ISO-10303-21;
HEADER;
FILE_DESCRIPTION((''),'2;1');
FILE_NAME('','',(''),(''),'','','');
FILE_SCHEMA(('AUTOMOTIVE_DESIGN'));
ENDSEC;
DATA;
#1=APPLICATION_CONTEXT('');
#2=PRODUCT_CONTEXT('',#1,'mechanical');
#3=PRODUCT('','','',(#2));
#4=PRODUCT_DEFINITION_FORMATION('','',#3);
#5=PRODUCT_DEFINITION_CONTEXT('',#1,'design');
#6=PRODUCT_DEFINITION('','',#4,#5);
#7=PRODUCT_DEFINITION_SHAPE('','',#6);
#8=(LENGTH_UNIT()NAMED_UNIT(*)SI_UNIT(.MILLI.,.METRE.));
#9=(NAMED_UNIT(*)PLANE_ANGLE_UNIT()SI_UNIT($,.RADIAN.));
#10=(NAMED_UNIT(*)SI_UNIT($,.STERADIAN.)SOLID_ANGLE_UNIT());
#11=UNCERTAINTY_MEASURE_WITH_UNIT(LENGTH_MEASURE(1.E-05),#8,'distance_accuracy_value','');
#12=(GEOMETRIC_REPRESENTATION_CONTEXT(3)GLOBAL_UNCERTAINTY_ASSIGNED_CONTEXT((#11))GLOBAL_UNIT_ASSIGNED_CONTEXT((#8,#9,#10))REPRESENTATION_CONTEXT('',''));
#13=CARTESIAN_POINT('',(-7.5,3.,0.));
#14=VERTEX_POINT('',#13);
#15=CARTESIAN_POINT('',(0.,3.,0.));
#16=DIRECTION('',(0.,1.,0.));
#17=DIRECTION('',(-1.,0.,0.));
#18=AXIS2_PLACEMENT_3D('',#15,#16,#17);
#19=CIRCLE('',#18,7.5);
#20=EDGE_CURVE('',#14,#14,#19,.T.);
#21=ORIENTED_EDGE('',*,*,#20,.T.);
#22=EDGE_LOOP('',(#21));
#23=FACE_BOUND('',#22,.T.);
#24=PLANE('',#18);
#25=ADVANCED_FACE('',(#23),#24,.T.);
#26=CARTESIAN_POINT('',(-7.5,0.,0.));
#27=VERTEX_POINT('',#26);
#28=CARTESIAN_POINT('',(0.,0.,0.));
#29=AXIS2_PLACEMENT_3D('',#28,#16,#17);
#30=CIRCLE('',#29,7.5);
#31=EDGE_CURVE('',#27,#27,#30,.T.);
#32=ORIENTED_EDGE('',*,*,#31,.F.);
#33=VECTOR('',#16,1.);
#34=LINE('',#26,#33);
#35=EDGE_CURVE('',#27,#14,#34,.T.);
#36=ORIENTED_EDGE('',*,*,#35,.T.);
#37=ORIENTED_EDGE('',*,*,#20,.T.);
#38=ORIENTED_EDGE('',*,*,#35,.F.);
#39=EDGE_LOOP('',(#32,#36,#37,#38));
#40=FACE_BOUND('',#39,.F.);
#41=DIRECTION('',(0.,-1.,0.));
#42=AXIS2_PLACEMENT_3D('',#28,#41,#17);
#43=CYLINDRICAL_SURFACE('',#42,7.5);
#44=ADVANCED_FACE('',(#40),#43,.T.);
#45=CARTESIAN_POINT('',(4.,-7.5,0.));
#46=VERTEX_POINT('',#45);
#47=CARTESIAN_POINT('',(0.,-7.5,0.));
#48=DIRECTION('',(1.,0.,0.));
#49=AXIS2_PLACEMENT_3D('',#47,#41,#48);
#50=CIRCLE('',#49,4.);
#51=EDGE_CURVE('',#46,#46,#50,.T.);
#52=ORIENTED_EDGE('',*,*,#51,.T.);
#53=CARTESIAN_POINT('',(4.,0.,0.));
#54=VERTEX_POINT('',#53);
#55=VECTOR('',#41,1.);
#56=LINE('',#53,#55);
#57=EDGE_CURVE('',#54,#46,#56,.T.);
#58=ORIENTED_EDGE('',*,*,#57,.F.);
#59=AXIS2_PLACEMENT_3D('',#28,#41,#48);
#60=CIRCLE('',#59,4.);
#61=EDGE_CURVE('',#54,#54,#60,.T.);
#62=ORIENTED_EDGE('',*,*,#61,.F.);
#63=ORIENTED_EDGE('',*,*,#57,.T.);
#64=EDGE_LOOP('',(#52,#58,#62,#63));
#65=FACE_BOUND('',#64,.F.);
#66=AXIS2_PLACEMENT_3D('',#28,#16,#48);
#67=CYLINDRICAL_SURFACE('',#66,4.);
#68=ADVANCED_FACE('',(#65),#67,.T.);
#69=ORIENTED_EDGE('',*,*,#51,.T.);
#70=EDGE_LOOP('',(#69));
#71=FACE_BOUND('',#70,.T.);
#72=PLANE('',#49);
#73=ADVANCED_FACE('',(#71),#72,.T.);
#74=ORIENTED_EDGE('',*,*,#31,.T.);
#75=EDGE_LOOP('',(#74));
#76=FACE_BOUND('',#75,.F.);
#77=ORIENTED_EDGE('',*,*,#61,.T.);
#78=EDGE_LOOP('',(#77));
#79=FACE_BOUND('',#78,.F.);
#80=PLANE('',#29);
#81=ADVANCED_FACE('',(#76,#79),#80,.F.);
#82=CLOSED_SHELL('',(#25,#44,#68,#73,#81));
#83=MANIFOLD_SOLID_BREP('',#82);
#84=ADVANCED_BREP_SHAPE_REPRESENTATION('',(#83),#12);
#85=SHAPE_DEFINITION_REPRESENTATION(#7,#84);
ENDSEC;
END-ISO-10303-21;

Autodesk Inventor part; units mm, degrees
ref_plane "YZ Plane" through (0, 0, 0) normal (1, 0, 0) x (0, 1, 0)
ref_plane "XZ Plane" through (0, 0, 0) normal (0, 1, 0) x (-1, 0, 0)
ref_plane "XY Plane" through (0, 0, 0) normal (0, 0, 1) x (1, 0, 0)
sketch "Sketch1" plane through (0, 0, 0) normal (0, 1, 0) x (-1, 0, 0)
  circle A0 centre (0, 0) radius 7.5
  dimension "d0" = 15
extrude "Extrusion1" add sketch "Sketch1" along normal blind 3
sketch "Sketch2" plane through (0, 0, 0) normal (0, -1, 0) x (1, 0, 0)
  circle A0 centre (0, 0) radius 4
  dimension "d3" = 8
extrude "Extrusion2" add sketch "Sketch2" along normal blind 7.5
properties part number "Axel knapp"
